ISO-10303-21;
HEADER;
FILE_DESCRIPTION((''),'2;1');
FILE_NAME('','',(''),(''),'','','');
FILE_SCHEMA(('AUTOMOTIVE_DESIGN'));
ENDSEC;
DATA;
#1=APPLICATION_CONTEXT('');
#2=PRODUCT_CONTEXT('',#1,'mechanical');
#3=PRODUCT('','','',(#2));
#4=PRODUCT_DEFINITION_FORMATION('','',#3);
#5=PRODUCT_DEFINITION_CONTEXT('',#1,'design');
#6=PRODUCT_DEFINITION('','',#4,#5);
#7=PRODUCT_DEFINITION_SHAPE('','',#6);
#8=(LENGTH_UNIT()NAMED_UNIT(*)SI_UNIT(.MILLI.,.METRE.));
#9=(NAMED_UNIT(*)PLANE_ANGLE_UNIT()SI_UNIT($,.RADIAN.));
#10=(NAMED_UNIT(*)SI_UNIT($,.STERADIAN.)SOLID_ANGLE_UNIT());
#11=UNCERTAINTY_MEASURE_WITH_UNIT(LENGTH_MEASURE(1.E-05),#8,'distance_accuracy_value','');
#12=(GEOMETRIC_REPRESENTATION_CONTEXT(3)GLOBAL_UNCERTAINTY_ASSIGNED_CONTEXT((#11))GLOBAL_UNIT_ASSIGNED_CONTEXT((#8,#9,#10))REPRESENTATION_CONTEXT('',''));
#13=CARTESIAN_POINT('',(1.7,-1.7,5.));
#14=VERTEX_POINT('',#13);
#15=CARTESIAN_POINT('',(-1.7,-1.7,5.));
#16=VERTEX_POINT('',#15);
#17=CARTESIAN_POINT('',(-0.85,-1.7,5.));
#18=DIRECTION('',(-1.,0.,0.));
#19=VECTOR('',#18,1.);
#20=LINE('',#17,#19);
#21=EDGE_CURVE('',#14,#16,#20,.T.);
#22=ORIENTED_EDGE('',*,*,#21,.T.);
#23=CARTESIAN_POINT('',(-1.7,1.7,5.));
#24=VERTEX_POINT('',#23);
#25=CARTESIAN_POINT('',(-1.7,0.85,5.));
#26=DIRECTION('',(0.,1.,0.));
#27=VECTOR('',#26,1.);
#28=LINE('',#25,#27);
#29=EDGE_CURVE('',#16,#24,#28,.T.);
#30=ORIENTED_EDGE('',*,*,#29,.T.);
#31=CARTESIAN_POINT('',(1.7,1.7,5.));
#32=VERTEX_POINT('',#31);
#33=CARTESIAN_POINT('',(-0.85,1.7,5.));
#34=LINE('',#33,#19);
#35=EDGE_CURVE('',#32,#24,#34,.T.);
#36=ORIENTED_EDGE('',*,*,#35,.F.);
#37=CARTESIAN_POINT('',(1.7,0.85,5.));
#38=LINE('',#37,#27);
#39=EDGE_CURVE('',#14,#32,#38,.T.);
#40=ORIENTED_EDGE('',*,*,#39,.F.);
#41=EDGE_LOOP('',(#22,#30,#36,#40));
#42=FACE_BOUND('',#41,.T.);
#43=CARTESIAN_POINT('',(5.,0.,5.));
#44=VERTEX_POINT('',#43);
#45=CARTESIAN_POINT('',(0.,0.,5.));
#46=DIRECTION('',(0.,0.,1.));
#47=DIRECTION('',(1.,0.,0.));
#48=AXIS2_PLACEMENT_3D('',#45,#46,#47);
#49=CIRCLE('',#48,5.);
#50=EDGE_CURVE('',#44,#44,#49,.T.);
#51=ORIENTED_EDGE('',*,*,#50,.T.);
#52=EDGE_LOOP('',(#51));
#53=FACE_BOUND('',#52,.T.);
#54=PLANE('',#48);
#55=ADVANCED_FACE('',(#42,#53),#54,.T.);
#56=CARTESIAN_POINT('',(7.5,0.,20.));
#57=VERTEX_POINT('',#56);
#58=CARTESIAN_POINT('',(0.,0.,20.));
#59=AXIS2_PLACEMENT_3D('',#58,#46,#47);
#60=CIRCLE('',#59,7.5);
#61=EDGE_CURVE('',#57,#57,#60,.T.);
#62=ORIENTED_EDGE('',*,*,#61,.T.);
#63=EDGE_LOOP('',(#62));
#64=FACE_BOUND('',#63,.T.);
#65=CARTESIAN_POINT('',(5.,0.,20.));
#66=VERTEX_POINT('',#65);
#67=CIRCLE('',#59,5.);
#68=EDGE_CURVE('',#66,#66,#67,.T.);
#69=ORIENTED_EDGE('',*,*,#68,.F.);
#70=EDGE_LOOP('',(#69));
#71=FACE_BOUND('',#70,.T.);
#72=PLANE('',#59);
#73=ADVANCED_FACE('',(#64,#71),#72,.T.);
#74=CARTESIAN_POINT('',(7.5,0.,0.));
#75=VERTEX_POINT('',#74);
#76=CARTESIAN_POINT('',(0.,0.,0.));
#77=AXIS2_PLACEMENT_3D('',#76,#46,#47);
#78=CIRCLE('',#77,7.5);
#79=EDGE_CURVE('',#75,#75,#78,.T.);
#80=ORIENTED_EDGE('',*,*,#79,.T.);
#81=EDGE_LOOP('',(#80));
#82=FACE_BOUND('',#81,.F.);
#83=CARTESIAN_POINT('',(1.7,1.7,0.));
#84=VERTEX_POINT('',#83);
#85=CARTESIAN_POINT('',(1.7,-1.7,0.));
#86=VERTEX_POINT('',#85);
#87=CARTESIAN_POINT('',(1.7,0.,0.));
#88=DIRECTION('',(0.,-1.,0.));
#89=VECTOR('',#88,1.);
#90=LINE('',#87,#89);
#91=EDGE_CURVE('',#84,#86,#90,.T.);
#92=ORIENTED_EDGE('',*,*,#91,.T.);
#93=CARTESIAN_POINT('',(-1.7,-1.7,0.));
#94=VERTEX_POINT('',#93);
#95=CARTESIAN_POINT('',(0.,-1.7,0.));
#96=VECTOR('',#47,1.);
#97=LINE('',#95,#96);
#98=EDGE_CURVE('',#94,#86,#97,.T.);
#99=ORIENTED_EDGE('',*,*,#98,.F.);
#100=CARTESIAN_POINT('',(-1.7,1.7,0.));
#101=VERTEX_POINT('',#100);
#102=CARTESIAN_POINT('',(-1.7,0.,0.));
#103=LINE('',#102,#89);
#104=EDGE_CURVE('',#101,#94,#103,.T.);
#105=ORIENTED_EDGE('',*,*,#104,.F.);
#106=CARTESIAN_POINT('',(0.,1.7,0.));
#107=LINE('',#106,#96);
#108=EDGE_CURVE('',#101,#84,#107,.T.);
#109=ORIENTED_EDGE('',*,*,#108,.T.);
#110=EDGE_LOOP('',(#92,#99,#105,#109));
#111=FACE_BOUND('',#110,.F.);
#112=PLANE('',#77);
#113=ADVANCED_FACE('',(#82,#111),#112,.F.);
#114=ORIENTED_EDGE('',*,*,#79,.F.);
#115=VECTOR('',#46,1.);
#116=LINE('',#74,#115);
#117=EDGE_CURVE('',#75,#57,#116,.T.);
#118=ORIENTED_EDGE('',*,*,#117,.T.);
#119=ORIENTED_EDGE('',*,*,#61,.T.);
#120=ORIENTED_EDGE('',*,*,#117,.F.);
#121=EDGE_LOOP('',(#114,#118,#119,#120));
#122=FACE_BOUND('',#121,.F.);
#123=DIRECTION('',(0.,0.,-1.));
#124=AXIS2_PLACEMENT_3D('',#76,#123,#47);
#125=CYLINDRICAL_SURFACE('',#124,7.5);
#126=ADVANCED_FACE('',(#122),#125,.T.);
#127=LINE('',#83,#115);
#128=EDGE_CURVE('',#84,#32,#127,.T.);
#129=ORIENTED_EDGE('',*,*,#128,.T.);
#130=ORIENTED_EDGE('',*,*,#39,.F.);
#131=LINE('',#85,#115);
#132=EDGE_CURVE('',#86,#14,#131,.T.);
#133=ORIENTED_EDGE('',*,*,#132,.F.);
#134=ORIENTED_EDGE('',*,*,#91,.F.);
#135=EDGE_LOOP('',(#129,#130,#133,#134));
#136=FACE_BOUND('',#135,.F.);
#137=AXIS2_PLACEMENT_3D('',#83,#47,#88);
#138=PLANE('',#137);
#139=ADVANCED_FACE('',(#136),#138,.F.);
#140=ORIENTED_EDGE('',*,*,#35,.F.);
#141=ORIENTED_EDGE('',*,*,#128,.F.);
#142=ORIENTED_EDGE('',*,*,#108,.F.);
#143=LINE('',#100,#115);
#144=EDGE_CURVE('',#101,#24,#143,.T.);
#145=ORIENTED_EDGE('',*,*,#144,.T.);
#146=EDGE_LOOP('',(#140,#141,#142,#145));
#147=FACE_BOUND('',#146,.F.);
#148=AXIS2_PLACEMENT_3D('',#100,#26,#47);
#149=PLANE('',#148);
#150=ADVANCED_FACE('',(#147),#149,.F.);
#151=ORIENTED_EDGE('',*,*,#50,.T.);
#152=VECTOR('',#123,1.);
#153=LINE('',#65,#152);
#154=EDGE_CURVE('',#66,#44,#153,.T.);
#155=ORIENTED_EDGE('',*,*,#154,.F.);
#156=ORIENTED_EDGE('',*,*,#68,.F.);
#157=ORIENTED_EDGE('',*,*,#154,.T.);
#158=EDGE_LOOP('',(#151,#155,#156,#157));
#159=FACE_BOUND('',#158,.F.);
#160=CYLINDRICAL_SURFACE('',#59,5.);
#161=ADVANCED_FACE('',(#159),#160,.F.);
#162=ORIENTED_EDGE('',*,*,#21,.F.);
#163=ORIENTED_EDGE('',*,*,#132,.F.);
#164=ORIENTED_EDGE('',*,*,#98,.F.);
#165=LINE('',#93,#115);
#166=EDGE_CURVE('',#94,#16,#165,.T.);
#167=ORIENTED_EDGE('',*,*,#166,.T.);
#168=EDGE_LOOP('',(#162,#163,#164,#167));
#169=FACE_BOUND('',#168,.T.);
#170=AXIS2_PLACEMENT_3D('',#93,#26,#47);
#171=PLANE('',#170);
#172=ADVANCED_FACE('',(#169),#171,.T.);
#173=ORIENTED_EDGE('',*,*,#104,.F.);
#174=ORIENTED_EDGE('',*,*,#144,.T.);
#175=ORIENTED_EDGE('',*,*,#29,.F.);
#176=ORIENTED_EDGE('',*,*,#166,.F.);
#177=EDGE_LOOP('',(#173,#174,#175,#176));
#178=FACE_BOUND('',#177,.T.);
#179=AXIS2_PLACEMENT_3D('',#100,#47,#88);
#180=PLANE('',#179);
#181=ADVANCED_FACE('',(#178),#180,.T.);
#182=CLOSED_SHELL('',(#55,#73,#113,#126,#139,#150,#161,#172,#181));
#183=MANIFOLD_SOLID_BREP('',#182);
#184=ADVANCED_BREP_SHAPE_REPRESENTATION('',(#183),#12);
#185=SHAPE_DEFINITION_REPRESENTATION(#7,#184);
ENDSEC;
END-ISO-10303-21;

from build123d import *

# Parameters (mm, degrees)
F0_R     = 7.5
F1_DEPTH = 20
F2_R     = 5
F3_DEPTH = 15
F4_W     = 3.4
F4_H     = 3.4
F5_DEPTH = 10


with BuildPart() as f1:
    # F0 (on Top) → F1 (new body)
    with BuildSketch(Plane.XY):
        Circle(F0_R)
    extrude(amount=F1_DEPTH)

    # F2 (on face) → F3 (cut)
    with BuildSketch(Plane.XY.offset(20)):
        Circle(F2_R)
    extrude(amount=-F3_DEPTH, mode=Mode.SUBTRACT)

    # F4 (on face) → F5 (cut)
    with BuildSketch(Plane(origin=(0, 0, 0), x_dir=(1, 0, 0), z_dir=(0, 0, -1))):
        Rectangle(F4_W, F4_H)
    extrude(amount=-F5_DEPTH, mode=Mode.SUBTRACT)


solid = f1.part
